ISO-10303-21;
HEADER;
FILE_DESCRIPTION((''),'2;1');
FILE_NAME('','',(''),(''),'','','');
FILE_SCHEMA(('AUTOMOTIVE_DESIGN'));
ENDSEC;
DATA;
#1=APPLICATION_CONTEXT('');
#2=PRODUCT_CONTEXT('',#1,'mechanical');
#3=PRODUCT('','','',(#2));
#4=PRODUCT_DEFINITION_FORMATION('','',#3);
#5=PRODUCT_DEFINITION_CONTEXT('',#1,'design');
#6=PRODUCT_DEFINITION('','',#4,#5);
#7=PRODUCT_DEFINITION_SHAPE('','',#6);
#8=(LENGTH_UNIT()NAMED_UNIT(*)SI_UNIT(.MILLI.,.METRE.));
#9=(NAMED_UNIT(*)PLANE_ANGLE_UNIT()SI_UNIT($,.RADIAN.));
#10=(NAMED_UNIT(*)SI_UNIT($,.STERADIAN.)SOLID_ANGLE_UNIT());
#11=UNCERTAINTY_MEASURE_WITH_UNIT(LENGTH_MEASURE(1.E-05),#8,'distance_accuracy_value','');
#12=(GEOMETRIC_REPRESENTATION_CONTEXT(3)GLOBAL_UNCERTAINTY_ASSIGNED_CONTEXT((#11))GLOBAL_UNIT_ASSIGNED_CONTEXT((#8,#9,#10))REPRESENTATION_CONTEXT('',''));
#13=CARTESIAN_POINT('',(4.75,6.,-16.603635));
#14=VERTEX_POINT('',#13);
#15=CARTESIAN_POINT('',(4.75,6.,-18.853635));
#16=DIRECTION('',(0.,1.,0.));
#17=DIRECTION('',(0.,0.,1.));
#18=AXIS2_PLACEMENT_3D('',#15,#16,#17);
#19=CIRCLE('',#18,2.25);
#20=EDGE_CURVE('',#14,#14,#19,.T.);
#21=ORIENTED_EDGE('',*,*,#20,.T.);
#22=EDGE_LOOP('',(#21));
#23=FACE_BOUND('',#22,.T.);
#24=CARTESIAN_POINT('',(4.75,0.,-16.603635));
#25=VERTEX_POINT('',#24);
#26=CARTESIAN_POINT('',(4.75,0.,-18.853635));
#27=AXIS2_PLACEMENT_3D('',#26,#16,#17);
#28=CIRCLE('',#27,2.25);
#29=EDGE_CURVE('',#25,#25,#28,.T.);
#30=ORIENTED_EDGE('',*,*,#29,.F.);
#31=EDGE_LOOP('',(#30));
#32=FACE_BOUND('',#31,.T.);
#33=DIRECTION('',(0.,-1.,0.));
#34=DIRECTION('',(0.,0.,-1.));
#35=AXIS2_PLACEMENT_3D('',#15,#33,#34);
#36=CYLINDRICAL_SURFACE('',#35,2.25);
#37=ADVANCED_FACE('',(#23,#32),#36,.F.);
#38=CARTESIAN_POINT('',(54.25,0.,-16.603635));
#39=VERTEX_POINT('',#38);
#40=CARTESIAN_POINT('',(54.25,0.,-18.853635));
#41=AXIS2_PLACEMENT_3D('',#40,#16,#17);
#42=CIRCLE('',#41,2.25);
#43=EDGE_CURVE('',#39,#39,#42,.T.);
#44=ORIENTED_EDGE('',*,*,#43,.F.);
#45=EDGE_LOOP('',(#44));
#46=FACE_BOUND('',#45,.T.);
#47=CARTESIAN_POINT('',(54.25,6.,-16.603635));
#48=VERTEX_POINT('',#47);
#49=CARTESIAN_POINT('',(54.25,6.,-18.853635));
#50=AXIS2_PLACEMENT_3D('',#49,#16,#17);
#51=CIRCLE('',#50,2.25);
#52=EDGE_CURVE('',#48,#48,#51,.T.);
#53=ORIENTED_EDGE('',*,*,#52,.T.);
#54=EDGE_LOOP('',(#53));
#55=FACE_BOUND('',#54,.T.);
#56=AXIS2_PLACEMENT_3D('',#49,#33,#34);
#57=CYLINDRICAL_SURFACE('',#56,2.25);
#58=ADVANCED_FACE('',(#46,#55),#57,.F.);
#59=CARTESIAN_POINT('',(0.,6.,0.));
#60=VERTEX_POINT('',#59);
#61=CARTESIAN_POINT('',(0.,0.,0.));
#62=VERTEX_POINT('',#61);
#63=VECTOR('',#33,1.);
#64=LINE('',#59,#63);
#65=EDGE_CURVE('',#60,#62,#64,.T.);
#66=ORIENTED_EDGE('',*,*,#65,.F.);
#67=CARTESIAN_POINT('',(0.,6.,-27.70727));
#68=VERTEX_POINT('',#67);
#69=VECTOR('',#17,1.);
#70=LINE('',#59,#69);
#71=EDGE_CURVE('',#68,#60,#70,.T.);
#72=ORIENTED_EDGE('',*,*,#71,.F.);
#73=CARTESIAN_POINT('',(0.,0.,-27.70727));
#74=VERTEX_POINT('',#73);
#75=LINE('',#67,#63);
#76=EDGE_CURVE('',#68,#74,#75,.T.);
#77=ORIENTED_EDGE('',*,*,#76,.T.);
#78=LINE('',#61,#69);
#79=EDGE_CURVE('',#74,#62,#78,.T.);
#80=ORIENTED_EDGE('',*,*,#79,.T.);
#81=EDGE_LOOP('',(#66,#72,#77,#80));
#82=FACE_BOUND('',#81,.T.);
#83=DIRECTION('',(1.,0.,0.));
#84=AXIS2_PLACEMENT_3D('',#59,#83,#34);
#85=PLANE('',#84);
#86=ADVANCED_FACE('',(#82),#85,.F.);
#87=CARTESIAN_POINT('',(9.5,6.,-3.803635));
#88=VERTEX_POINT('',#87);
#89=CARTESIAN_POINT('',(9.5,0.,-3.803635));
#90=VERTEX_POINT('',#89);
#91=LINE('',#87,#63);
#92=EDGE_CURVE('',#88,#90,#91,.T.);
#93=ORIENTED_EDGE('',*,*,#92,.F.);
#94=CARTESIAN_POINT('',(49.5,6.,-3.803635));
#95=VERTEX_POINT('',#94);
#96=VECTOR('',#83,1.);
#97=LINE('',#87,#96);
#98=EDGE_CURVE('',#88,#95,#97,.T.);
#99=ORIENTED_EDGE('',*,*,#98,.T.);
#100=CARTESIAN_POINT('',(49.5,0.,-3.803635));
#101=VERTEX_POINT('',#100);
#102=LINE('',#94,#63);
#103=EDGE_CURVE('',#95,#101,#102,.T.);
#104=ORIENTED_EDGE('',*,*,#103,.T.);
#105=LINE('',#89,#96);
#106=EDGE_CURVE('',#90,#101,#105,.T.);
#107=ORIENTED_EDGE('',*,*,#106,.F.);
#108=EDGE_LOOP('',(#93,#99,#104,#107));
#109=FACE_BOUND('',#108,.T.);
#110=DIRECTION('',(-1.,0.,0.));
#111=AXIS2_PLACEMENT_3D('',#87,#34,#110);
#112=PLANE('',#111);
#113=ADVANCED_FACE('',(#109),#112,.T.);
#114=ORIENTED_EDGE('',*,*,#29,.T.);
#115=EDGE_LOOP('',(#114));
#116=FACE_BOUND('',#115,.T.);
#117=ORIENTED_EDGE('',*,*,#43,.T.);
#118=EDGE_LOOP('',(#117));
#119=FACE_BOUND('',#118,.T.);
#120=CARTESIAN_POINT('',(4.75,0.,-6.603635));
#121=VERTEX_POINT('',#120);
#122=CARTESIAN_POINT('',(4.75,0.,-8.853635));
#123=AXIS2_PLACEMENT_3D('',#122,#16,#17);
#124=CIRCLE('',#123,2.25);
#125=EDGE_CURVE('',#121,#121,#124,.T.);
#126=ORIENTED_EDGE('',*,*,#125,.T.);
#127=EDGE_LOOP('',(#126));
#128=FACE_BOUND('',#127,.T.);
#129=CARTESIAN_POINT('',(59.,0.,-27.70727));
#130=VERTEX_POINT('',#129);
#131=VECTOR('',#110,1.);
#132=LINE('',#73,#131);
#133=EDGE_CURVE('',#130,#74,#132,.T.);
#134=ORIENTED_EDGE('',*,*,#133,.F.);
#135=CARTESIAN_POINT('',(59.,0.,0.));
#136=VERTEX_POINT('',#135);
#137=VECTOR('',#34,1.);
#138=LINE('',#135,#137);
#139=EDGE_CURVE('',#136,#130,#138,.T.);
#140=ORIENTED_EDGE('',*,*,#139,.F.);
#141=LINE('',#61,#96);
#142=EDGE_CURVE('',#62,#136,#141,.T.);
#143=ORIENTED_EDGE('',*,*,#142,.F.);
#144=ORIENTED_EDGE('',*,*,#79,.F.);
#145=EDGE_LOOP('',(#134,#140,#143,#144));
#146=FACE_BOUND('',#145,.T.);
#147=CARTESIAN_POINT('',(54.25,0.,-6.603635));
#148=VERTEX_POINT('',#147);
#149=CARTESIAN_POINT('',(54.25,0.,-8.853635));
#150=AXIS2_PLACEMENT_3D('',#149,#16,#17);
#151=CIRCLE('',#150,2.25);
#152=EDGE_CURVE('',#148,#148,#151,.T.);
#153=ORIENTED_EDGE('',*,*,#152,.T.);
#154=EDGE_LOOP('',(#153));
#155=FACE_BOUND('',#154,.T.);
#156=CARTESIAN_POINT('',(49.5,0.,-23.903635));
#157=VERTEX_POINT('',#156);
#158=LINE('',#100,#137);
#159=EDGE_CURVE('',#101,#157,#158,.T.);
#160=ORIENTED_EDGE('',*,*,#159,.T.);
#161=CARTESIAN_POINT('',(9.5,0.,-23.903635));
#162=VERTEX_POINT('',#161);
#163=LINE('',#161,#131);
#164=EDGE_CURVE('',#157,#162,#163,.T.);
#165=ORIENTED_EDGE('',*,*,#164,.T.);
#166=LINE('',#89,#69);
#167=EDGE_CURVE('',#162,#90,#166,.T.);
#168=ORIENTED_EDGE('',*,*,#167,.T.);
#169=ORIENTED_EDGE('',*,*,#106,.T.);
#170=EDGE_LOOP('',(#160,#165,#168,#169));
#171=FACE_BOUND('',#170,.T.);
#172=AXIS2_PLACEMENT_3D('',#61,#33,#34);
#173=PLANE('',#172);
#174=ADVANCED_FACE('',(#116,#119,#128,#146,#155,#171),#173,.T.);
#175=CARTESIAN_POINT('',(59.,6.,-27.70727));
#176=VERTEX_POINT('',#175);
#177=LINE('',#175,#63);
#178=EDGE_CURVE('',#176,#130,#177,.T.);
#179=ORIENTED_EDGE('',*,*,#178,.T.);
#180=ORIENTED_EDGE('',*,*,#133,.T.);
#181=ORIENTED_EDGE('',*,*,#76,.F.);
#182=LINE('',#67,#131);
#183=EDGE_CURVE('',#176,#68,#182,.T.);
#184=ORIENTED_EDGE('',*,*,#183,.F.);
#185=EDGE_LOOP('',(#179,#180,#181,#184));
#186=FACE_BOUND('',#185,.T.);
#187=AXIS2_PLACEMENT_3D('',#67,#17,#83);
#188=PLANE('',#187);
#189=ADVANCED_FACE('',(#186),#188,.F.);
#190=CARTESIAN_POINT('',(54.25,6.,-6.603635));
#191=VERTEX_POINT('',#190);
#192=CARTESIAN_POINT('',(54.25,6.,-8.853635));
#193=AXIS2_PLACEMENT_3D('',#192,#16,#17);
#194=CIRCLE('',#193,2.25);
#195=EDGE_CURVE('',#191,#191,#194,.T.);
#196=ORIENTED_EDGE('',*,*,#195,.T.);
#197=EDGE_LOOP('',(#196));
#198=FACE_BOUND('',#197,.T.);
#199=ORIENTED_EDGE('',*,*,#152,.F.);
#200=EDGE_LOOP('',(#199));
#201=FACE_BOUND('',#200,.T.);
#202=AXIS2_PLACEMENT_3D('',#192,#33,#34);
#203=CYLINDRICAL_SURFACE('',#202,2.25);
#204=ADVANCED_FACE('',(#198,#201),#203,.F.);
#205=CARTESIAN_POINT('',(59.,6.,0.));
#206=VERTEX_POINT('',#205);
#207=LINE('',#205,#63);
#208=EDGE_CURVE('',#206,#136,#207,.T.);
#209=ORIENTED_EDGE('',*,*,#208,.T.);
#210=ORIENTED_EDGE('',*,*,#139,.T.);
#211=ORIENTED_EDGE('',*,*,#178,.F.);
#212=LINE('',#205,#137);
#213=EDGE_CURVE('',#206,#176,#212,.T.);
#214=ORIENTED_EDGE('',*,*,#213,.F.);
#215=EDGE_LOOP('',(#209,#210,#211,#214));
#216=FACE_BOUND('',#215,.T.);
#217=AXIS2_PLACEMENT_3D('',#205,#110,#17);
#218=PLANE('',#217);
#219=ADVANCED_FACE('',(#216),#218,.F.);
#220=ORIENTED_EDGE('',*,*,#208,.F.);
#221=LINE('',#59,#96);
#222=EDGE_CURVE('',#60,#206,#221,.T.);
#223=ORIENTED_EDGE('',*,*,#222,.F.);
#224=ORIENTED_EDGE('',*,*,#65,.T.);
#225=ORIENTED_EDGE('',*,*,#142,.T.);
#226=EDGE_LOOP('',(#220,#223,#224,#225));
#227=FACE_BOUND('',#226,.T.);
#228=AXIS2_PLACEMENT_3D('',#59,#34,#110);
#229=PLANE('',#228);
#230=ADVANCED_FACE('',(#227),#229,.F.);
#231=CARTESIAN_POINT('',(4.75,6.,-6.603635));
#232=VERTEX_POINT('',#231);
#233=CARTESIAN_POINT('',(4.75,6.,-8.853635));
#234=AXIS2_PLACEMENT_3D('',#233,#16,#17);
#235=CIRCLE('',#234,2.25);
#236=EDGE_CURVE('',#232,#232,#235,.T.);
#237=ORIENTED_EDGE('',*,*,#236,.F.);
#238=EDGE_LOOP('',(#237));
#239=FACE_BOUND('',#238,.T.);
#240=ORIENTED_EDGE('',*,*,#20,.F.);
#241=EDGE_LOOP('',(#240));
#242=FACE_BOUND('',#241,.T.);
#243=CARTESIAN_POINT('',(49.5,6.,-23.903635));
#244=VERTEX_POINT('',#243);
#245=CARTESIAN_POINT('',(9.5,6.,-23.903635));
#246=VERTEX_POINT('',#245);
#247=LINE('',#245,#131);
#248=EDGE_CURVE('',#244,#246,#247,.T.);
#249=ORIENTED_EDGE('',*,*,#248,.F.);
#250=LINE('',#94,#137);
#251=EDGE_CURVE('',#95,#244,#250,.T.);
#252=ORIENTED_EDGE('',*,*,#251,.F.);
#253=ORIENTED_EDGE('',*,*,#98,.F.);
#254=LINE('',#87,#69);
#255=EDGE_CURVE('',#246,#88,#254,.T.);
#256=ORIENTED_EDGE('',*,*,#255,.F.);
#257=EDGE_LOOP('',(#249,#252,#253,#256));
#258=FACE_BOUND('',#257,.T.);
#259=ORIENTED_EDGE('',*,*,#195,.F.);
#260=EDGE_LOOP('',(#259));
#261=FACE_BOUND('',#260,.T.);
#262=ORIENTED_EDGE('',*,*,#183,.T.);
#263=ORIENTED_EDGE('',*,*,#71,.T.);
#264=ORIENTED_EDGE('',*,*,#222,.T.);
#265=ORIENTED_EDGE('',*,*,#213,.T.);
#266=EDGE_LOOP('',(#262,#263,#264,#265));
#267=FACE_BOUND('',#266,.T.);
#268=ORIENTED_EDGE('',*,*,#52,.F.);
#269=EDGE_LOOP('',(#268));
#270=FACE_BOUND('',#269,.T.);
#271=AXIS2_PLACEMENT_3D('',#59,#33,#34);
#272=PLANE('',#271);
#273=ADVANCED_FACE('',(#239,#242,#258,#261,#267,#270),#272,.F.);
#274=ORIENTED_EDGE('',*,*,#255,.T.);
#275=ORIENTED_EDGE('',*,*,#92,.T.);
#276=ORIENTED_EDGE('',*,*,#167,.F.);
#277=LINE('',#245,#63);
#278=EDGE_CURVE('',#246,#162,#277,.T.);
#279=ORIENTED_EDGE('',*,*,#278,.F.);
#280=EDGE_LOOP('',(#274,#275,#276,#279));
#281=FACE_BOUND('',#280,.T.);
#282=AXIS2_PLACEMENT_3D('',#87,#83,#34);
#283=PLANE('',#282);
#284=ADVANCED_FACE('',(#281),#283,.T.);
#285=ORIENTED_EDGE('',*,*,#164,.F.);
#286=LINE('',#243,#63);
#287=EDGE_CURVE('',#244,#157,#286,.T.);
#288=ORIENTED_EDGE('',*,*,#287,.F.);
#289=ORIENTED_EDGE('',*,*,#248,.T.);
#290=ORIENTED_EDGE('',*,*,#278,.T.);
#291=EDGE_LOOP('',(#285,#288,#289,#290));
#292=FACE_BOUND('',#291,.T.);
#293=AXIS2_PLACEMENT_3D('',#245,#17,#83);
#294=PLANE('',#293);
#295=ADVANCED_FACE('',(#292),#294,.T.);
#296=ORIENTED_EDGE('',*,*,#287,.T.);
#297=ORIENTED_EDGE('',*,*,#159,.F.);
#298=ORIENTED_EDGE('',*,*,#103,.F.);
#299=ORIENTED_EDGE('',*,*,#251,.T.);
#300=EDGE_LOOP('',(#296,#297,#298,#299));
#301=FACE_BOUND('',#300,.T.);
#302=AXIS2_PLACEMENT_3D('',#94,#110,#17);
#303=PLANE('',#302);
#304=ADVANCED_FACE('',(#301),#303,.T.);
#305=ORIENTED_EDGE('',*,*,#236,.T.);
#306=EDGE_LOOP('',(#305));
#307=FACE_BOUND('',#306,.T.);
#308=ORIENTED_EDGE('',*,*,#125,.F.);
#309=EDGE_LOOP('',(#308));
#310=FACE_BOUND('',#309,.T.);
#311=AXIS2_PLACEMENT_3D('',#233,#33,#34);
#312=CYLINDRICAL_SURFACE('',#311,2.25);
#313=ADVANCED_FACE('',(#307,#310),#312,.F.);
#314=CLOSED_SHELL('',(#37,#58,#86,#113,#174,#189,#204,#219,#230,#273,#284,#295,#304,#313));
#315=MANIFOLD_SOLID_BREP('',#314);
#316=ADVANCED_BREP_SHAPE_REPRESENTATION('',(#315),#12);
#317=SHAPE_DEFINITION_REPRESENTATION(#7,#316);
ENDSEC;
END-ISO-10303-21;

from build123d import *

# Parameters (mm, degrees)
SKETCH1_W           = 59
SKETCH1_H           = 27.707269776
SKETCH1_R           = 2.25
SKETCH1_W_2         = 40
SKETCH1_H_2         = 20.1
BOSS_EXTRUDE1_DEPTH = 6


with BuildPart() as part:
    # Sketch1 → Boss-Extrude1 (new body)
    with BuildSketch(Plane(origin=(0, 0, 0), x_dir=(1, 0, 0), z_dir=(0, 1, 0))):
        with Locations((29.5, 13.853634888)):
            Rectangle(SKETCH1_W, SKETCH1_H)
        with Locations((4.75, 18.853634888)):
            Circle(SKETCH1_R, mode=Mode.SUBTRACT)
        with Locations((4.75, 8.853634888)):
            Circle(SKETCH1_R, mode=Mode.SUBTRACT)
        with Locations((54.25, 8.853634888)):
            Circle(SKETCH1_R, mode=Mode.SUBTRACT)
        with Locations((54.25, 18.853634888)):
            Circle(SKETCH1_R, mode=Mode.SUBTRACT)
        with Locations((29.5, 13.853634888)):
            Rectangle(SKETCH1_W_2, SKETCH1_H_2, mode=Mode.SUBTRACT)
    extrude(amount=BOSS_EXTRUDE1_DEPTH)


solid = part.part
